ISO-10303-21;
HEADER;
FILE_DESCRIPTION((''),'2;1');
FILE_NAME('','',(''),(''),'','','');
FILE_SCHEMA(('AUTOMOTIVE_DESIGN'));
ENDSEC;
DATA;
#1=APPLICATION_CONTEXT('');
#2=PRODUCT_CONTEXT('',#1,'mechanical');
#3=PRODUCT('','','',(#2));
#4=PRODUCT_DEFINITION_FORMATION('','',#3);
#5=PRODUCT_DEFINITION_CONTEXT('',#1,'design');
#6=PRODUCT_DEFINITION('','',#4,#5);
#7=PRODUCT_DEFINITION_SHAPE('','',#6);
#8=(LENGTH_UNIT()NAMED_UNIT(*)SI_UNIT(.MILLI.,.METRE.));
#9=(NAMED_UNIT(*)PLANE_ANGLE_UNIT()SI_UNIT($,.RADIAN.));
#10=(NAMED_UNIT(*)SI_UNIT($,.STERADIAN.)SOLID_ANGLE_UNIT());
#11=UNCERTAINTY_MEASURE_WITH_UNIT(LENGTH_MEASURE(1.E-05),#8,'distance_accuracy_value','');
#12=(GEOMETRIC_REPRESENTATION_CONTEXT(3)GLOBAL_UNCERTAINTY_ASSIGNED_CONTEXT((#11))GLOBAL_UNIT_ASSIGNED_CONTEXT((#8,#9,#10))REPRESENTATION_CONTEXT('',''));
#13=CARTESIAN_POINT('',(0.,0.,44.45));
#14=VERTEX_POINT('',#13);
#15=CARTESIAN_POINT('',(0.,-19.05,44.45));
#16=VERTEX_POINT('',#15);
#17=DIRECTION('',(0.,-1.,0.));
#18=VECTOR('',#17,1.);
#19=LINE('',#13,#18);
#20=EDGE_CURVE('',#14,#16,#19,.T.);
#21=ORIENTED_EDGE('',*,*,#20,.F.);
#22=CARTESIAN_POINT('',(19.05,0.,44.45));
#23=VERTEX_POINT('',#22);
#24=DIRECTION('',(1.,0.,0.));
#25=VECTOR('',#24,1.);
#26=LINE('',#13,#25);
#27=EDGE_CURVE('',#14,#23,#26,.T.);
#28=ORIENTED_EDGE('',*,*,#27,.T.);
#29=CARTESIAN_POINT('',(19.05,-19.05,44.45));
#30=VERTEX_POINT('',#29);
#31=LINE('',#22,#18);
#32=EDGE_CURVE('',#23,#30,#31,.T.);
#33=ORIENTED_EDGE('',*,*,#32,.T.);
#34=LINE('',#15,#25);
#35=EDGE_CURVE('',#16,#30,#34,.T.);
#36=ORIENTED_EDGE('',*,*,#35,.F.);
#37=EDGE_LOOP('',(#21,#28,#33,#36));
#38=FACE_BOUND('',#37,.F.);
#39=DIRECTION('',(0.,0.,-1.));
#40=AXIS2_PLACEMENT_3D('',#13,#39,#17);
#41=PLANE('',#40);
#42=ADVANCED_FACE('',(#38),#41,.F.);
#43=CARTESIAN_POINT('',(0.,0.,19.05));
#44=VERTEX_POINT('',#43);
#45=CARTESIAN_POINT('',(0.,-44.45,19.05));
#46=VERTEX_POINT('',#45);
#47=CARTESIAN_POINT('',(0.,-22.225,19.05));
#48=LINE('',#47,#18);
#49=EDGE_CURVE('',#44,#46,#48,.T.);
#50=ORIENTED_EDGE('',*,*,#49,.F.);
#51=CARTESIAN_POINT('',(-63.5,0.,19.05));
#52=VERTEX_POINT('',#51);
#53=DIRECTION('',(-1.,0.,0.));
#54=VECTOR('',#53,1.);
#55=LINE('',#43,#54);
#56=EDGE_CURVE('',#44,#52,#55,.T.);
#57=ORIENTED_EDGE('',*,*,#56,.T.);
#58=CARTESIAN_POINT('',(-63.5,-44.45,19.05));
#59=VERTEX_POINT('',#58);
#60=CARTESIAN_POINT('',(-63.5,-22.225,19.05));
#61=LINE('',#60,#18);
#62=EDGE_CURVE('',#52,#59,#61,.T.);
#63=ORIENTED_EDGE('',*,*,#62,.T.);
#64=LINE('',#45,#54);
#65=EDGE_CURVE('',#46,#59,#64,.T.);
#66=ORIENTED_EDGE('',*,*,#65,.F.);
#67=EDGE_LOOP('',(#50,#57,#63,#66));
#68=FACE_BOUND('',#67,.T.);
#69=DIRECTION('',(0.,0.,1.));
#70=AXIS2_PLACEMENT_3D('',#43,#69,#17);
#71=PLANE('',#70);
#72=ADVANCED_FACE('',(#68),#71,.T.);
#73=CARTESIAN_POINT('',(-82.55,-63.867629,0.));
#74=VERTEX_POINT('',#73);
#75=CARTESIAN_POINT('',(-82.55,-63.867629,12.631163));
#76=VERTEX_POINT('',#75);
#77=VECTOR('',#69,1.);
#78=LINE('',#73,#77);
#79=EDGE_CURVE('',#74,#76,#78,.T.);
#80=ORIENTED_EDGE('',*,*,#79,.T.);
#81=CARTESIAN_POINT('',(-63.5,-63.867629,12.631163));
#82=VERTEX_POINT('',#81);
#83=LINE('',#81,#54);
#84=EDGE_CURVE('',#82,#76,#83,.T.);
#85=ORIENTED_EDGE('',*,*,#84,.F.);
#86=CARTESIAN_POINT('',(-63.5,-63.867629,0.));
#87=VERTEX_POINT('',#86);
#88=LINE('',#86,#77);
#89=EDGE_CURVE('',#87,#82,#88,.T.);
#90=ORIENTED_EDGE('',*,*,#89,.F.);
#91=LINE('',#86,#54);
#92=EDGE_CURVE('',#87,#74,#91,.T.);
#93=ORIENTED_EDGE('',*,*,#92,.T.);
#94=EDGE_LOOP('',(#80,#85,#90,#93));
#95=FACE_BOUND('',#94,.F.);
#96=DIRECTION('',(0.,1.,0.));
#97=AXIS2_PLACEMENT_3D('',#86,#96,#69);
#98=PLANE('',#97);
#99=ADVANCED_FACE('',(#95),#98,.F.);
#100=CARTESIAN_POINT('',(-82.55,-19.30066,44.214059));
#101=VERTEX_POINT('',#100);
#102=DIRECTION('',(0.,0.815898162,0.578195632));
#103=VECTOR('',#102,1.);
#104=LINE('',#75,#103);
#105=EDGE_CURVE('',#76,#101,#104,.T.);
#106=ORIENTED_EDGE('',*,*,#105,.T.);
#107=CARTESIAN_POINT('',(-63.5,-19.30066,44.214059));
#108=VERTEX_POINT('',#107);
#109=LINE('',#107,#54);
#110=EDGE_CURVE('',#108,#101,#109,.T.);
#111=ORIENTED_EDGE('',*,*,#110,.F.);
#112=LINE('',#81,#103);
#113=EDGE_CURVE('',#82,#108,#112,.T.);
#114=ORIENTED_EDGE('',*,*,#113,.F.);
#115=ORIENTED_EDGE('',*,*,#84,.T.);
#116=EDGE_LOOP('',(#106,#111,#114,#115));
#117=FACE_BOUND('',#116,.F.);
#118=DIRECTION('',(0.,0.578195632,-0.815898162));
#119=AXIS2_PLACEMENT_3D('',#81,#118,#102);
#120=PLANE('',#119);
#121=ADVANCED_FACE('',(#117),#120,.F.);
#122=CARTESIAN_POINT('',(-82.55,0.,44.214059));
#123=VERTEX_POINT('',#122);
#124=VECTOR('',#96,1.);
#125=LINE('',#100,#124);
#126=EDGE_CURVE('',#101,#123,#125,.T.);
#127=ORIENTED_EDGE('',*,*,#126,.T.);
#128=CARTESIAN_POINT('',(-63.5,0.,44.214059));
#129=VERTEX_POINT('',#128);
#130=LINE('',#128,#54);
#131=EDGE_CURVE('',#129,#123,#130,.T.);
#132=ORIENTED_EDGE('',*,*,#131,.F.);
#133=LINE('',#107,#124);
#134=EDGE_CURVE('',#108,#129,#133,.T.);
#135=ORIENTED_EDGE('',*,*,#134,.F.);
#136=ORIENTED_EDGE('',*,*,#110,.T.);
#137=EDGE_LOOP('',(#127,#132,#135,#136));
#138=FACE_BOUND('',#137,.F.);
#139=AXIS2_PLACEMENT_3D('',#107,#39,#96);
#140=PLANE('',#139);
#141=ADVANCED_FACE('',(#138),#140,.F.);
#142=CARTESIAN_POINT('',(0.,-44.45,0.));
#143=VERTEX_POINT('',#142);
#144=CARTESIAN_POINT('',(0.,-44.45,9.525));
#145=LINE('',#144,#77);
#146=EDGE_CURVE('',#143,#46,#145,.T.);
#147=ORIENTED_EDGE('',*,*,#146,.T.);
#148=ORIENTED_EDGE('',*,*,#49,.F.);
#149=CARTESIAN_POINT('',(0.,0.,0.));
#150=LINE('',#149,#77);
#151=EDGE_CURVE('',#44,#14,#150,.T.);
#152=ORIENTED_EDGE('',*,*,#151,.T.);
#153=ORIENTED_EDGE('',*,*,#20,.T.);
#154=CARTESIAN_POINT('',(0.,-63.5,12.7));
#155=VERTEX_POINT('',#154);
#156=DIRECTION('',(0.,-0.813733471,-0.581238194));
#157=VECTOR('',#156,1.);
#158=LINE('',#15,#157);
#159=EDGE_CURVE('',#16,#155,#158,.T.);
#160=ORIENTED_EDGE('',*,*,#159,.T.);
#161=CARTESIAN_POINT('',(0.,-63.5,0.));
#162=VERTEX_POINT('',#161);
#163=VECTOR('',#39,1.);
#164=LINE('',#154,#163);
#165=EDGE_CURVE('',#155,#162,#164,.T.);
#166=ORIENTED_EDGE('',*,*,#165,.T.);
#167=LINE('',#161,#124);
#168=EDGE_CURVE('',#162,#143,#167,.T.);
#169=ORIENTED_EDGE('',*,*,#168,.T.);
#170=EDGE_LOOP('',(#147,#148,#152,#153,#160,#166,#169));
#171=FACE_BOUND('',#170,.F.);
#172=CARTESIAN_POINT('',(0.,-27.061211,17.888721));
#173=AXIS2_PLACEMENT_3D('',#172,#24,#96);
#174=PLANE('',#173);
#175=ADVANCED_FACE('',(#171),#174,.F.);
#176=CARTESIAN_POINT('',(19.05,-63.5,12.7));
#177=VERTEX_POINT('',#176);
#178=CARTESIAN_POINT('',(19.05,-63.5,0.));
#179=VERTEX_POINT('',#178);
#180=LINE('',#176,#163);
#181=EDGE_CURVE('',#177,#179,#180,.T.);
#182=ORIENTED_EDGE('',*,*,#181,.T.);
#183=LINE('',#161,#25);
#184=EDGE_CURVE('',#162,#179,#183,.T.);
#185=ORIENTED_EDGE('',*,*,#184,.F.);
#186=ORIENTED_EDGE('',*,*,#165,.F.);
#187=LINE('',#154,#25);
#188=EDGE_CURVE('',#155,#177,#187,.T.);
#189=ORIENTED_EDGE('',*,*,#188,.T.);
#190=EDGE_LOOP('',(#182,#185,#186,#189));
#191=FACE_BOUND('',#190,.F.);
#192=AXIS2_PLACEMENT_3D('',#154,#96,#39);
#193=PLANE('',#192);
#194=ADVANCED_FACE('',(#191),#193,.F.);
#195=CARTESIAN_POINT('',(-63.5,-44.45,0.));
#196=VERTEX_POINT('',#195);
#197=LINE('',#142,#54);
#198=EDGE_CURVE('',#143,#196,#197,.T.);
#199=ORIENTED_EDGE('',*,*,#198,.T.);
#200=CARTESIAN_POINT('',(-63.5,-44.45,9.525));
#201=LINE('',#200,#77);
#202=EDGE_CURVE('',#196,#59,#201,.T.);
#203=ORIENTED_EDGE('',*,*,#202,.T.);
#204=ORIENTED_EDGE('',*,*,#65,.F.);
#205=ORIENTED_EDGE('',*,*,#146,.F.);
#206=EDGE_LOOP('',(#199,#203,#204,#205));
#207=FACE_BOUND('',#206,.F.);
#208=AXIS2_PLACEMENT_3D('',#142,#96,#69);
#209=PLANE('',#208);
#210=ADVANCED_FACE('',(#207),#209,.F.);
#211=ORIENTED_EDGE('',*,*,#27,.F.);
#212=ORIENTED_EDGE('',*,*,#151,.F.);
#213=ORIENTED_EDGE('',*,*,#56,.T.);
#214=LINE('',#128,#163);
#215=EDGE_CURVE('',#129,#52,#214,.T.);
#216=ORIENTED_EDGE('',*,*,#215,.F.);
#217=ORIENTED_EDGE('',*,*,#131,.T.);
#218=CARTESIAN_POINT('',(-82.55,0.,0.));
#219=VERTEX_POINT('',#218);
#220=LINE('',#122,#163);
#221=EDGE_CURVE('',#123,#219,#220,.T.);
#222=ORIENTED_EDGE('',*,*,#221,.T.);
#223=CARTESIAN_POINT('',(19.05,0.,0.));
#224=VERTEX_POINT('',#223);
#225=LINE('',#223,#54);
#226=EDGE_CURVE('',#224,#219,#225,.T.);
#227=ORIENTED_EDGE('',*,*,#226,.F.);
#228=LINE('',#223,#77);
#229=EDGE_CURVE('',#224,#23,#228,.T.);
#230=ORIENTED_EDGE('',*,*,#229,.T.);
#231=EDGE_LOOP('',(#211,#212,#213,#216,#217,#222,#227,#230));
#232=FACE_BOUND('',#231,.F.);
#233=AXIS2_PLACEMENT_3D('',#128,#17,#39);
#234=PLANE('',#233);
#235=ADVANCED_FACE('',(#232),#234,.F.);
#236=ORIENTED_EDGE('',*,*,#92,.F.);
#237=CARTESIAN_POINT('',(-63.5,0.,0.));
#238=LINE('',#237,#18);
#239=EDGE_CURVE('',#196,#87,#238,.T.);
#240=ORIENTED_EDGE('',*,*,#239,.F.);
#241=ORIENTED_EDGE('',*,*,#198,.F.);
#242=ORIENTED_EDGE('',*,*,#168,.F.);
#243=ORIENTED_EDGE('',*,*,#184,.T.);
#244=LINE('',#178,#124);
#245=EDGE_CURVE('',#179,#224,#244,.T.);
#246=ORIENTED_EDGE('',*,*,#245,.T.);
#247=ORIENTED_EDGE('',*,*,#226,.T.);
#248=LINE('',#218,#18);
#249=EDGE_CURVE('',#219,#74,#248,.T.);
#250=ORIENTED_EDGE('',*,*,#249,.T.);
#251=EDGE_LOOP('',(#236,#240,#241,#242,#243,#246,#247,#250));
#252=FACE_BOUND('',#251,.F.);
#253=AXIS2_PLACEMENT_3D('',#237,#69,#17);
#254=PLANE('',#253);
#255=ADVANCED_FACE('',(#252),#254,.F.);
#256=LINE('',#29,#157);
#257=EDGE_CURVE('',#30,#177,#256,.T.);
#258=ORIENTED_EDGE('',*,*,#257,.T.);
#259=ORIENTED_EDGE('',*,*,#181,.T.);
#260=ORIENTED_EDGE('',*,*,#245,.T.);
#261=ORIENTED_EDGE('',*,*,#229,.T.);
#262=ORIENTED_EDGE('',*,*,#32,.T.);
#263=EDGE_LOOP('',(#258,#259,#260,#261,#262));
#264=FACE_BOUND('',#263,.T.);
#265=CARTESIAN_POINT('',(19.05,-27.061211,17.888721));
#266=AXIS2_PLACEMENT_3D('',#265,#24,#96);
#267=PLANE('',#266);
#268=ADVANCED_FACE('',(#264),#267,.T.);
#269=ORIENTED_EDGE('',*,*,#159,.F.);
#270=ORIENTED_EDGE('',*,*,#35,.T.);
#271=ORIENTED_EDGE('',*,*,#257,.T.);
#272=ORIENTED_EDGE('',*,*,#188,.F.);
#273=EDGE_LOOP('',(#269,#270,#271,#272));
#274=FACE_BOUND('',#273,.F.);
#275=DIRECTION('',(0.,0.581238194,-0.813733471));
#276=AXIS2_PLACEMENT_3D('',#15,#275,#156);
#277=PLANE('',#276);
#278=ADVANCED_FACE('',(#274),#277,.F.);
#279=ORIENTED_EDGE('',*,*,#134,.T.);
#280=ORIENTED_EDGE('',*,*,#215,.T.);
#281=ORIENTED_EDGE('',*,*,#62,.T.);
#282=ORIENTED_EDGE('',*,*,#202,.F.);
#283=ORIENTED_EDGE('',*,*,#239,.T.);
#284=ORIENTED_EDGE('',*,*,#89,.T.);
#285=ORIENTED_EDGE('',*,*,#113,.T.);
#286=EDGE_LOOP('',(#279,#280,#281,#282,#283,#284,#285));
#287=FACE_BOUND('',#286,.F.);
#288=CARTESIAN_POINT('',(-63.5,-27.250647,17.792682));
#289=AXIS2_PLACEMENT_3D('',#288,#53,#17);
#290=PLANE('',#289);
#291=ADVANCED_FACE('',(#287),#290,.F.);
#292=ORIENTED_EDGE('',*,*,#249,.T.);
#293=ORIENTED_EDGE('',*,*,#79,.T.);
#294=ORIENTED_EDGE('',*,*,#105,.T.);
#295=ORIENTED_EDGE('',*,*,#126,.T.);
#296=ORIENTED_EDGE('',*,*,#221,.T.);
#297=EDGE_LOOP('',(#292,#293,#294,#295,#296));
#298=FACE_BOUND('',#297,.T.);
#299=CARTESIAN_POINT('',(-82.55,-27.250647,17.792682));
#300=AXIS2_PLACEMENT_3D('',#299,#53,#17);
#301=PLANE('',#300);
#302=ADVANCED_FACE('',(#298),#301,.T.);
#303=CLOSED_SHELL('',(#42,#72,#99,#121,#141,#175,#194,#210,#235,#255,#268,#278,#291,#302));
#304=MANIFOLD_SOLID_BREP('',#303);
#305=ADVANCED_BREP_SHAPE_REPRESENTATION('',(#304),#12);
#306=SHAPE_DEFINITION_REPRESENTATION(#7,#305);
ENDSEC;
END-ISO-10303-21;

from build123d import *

# Parameters (mm, degrees)
F1_DEPTH = 19.05
F2_W     = 44.45
F2_H     = 19.05
F3_DEPTH = 63.5
F5_DEPTH = 19.05


with BuildPart() as f1:
    # F0 (on Right) → F1 (new body)
    with BuildSketch(Plane.YZ):
        Polygon((-63.5, 0), (0, 0), (0, 44.45), (-19.05, 44.45), (-63.5, 12.7), align=None)
    extrude(amount=F1_DEPTH)

    # F2 (on face) → F3 (join)
    with BuildSketch(Plane(origin=(0, 0, 0), x_dir=(0, -1, 0), z_dir=(-1, 0, 0))):
        with Locations((22.225, 9.525)):
            Rectangle(F2_W, F2_H)
    extrude(amount=F3_DEPTH)

    # F4 (on face) → F5 (join)
    with BuildSketch(Plane(origin=(-63.5, 0, 0), x_dir=(0, -1, 0), z_dir=(-1, 0, 0))):
        Polygon((0, 44.214059), (0, 0), (63.867629, 0), (63.867629, 12.631163), (19.30066, 44.214059), align=None)
    extrude(amount=F5_DEPTH)


solid = f1.part
